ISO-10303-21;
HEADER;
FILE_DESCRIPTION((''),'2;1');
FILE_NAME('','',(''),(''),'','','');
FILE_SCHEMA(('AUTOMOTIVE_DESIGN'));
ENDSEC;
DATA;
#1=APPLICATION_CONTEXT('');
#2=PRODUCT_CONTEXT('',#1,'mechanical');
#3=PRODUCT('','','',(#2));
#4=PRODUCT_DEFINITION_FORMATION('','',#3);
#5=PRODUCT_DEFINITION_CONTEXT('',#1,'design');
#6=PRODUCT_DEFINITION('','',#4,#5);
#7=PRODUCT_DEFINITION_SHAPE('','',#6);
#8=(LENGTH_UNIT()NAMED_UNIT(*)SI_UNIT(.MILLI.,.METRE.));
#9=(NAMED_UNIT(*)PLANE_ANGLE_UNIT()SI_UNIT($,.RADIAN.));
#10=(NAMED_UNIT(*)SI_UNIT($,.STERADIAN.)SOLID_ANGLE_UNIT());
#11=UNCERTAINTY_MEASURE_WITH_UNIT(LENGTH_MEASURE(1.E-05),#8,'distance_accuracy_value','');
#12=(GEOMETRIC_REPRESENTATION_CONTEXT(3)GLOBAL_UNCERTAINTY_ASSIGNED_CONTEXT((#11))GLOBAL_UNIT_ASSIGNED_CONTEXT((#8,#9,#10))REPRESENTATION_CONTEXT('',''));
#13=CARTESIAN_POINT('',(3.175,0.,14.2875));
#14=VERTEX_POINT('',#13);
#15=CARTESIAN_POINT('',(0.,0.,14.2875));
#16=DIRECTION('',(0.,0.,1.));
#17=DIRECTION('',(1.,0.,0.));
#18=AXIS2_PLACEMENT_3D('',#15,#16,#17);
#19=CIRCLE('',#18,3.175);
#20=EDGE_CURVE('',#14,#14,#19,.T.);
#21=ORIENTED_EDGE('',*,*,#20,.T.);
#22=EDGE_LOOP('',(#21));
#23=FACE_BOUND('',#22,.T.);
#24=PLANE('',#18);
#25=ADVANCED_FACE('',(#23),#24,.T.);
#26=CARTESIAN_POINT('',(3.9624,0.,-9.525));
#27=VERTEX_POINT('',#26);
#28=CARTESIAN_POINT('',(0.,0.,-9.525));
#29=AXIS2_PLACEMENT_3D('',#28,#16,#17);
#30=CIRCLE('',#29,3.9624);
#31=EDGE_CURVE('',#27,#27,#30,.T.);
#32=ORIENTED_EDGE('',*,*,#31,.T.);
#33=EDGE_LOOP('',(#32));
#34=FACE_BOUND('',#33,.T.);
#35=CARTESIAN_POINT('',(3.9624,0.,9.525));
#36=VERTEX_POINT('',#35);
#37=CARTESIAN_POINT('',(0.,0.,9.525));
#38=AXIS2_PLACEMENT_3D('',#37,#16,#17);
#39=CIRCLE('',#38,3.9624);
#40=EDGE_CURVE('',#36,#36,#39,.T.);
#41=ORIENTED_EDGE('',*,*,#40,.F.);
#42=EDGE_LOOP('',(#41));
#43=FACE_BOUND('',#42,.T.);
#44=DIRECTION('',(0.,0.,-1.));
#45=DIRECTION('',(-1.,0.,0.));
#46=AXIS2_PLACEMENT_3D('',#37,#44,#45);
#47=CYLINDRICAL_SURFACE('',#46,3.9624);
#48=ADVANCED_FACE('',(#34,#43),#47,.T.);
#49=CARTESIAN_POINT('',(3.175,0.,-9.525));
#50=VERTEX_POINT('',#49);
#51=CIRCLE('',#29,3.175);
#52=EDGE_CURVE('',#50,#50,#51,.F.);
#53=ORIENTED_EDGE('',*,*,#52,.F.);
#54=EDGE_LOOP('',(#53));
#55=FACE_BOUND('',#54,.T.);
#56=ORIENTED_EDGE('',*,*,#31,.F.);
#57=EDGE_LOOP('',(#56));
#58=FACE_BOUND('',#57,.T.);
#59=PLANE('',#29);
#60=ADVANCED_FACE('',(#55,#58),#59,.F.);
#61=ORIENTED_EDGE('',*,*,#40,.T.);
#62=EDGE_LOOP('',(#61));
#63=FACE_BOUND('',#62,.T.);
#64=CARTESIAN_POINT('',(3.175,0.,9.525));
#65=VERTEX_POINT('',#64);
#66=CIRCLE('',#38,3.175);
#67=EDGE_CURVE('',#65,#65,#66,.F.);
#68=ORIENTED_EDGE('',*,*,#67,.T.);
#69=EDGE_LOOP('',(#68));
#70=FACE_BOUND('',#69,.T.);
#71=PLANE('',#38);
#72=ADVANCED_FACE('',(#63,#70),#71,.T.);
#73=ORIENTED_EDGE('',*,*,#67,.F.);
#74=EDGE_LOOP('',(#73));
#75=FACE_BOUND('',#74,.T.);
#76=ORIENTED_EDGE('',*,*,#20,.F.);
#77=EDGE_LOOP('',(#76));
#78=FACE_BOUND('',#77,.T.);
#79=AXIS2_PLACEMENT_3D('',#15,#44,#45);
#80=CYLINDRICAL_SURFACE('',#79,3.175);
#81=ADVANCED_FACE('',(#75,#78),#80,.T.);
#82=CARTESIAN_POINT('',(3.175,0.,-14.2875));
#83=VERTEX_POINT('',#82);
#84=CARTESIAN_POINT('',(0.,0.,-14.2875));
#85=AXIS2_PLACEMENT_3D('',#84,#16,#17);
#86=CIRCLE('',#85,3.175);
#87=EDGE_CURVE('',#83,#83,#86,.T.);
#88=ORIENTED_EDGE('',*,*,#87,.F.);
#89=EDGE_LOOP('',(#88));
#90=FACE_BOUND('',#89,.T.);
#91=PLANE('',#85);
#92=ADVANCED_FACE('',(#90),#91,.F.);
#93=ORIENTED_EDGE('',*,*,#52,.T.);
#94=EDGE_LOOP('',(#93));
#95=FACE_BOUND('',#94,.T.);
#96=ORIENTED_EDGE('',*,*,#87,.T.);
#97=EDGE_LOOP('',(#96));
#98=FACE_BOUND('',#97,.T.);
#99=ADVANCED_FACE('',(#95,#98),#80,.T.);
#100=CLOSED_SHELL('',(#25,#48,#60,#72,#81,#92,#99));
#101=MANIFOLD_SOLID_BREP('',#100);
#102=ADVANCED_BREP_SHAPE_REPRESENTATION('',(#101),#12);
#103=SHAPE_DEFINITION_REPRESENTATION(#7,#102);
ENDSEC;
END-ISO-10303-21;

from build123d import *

# Parameters (mm, degrees)
SKETCH1_R           = 3.9624
BOSS_EXTRUDE1_DEPTH = 9.525
SKETCH2_R           = 3.175
BOSS_EXTRUDE2_DEPTH = 14.2875


with BuildPart() as part:
    # Sketch1 → Boss-Extrude1 (new body, symmetric)
    with BuildSketch(Plane.XY):
        Circle(SKETCH1_R)
    extrude(amount=BOSS_EXTRUDE1_DEPTH, both=True)

    # Sketch2 → Boss-Extrude2 (add, symmetric)
    with BuildSketch(Plane.XY):
        Circle(SKETCH2_R)
    extrude(amount=BOSS_EXTRUDE2_DEPTH, both=True)


solid = part.part
